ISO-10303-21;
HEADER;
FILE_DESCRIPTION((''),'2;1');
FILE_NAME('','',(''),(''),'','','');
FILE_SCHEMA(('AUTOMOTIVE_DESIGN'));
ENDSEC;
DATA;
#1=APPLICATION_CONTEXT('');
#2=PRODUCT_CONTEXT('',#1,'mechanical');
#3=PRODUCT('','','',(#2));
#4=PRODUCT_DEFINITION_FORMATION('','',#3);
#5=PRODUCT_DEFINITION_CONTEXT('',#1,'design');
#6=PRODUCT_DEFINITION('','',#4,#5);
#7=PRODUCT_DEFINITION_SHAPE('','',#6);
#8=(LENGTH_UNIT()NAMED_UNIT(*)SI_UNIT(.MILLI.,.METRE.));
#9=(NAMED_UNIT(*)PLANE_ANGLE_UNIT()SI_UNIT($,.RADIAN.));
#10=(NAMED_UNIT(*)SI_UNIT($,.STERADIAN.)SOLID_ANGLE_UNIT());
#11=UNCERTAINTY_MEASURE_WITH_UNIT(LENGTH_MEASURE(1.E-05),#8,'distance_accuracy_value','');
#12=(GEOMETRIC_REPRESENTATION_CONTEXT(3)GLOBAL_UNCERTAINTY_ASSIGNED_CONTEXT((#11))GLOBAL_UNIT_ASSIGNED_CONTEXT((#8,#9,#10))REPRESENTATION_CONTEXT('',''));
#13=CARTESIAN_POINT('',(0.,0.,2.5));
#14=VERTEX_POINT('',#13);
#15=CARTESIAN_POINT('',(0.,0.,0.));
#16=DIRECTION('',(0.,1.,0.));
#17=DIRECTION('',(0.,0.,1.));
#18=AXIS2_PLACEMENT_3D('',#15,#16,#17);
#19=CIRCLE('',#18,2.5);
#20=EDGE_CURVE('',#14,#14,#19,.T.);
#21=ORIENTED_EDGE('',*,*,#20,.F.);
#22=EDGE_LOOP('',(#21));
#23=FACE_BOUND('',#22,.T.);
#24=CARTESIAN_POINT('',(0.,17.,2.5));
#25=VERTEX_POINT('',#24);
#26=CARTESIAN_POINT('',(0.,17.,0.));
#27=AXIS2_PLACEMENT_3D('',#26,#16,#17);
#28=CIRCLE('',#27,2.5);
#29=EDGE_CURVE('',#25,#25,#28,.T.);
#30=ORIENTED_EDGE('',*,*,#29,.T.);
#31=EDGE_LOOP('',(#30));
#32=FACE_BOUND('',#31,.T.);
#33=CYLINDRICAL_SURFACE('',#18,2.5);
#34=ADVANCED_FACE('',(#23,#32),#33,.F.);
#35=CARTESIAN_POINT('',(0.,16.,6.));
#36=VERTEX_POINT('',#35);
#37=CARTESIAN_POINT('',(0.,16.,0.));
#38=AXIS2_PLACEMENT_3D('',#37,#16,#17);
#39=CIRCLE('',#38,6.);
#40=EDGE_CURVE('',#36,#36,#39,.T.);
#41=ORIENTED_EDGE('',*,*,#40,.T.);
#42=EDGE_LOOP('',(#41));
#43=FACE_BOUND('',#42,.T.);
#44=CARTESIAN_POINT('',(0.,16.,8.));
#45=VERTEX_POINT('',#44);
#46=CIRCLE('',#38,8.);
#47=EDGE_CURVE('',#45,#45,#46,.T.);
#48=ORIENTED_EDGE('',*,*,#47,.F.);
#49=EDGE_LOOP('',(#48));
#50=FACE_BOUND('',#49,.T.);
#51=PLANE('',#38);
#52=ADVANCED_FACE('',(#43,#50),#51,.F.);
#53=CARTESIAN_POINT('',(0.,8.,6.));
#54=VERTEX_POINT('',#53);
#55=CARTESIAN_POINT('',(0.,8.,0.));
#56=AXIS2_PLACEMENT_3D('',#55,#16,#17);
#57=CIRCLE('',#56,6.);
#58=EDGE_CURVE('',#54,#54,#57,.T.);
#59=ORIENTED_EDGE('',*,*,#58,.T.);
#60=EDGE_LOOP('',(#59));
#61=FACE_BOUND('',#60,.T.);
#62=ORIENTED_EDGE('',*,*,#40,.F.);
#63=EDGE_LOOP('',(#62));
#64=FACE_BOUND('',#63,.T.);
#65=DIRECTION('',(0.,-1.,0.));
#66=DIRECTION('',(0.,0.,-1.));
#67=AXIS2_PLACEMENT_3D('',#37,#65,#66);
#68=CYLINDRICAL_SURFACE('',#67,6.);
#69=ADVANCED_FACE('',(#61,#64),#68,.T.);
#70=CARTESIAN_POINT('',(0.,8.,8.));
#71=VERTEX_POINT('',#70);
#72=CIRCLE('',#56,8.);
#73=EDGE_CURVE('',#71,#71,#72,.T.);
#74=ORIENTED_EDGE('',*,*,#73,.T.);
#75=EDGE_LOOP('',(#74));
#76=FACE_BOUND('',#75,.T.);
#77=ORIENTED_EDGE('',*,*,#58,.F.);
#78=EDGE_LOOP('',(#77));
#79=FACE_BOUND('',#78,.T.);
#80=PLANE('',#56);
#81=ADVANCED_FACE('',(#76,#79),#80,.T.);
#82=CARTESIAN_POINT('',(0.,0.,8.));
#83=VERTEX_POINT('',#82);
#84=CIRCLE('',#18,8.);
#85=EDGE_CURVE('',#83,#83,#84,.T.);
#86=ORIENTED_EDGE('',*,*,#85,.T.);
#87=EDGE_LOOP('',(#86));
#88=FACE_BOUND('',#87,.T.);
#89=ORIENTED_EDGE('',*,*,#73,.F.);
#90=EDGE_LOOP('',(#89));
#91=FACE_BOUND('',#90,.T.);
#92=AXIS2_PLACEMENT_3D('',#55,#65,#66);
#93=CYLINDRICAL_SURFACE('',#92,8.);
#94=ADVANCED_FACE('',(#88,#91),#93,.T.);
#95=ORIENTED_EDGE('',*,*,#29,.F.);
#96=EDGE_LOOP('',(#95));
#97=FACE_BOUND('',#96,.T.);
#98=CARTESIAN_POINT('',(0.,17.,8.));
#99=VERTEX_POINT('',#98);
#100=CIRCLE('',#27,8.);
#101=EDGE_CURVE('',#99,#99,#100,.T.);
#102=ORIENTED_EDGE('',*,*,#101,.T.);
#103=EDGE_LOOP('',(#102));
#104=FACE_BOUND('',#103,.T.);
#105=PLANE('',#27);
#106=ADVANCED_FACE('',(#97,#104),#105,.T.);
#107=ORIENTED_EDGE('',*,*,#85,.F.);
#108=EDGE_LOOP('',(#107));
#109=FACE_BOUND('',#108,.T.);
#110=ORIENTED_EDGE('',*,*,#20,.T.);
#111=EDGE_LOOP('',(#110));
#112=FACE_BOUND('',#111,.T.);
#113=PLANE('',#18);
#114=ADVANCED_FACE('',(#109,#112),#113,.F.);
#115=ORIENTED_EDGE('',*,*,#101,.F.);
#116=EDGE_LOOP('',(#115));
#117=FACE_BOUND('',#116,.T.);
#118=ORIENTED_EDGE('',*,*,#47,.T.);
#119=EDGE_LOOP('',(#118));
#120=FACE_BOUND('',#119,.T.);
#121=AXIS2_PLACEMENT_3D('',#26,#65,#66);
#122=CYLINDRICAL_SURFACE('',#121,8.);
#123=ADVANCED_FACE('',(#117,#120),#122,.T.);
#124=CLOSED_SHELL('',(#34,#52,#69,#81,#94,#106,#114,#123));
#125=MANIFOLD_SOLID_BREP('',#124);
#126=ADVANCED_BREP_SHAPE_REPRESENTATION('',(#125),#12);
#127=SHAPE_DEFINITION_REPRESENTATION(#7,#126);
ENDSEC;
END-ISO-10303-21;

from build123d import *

# Parameters (mm, degrees)
SKETCH1_R           = 8
BOSS_EXTRUDE1_DEPTH = 8
SKETCH2_R           = 6
BOSS_EXTRUDE2_DEPTH = 8
SKETCH3_R           = 8
BOSS_EXTRUDE3_DEPTH = 1
SKETCH4_R           = 2.5
CUT_EXTRUDE1_DEPTH  = 21.420577857


with BuildPart() as part:
    # Sketch1 → Boss-Extrude1 (new body)
    with BuildSketch(Plane(origin=(0, 0, 0), x_dir=(1, 0, 0), z_dir=(0, 1, 0))):
        with Locations(Location((0, 0, 0), (0, 0, 270))):
            Circle(SKETCH1_R)
    extrude(amount=BOSS_EXTRUDE1_DEPTH)

    # Sketch2 → Boss-Extrude2 (add)
    with BuildSketch(Plane(origin=(0, 8, 0), x_dir=(1, 0, 0), z_dir=(0, 1, 0))):
        with Locations(Location((0, 0, 0), (0, 0, 270))):
            Circle(SKETCH2_R)
    extrude(amount=BOSS_EXTRUDE2_DEPTH)

    # Sketch3 → Boss-Extrude3 (add)
    with BuildSketch(Plane(origin=(0, 16, 0), x_dir=(1, 0, 0), z_dir=(0, 1, 0))):
        with Locations(Location((0, 0, 0), (0, 0, 270))):
            Circle(SKETCH3_R)
    extrude(amount=BOSS_EXTRUDE3_DEPTH)

    # Sketch4 → Cut-Extrude1 (cut, through all)
    with BuildSketch(Plane(origin=(0, 17, 0), x_dir=(1, 0, 0), z_dir=(0, 1, 0))):
        with Locations(Location((0, 0, 0), (0, 0, 270))):
            Circle(SKETCH4_R)
    extrude(amount=-CUT_EXTRUDE1_DEPTH, mode=Mode.SUBTRACT)


solid = part.part
